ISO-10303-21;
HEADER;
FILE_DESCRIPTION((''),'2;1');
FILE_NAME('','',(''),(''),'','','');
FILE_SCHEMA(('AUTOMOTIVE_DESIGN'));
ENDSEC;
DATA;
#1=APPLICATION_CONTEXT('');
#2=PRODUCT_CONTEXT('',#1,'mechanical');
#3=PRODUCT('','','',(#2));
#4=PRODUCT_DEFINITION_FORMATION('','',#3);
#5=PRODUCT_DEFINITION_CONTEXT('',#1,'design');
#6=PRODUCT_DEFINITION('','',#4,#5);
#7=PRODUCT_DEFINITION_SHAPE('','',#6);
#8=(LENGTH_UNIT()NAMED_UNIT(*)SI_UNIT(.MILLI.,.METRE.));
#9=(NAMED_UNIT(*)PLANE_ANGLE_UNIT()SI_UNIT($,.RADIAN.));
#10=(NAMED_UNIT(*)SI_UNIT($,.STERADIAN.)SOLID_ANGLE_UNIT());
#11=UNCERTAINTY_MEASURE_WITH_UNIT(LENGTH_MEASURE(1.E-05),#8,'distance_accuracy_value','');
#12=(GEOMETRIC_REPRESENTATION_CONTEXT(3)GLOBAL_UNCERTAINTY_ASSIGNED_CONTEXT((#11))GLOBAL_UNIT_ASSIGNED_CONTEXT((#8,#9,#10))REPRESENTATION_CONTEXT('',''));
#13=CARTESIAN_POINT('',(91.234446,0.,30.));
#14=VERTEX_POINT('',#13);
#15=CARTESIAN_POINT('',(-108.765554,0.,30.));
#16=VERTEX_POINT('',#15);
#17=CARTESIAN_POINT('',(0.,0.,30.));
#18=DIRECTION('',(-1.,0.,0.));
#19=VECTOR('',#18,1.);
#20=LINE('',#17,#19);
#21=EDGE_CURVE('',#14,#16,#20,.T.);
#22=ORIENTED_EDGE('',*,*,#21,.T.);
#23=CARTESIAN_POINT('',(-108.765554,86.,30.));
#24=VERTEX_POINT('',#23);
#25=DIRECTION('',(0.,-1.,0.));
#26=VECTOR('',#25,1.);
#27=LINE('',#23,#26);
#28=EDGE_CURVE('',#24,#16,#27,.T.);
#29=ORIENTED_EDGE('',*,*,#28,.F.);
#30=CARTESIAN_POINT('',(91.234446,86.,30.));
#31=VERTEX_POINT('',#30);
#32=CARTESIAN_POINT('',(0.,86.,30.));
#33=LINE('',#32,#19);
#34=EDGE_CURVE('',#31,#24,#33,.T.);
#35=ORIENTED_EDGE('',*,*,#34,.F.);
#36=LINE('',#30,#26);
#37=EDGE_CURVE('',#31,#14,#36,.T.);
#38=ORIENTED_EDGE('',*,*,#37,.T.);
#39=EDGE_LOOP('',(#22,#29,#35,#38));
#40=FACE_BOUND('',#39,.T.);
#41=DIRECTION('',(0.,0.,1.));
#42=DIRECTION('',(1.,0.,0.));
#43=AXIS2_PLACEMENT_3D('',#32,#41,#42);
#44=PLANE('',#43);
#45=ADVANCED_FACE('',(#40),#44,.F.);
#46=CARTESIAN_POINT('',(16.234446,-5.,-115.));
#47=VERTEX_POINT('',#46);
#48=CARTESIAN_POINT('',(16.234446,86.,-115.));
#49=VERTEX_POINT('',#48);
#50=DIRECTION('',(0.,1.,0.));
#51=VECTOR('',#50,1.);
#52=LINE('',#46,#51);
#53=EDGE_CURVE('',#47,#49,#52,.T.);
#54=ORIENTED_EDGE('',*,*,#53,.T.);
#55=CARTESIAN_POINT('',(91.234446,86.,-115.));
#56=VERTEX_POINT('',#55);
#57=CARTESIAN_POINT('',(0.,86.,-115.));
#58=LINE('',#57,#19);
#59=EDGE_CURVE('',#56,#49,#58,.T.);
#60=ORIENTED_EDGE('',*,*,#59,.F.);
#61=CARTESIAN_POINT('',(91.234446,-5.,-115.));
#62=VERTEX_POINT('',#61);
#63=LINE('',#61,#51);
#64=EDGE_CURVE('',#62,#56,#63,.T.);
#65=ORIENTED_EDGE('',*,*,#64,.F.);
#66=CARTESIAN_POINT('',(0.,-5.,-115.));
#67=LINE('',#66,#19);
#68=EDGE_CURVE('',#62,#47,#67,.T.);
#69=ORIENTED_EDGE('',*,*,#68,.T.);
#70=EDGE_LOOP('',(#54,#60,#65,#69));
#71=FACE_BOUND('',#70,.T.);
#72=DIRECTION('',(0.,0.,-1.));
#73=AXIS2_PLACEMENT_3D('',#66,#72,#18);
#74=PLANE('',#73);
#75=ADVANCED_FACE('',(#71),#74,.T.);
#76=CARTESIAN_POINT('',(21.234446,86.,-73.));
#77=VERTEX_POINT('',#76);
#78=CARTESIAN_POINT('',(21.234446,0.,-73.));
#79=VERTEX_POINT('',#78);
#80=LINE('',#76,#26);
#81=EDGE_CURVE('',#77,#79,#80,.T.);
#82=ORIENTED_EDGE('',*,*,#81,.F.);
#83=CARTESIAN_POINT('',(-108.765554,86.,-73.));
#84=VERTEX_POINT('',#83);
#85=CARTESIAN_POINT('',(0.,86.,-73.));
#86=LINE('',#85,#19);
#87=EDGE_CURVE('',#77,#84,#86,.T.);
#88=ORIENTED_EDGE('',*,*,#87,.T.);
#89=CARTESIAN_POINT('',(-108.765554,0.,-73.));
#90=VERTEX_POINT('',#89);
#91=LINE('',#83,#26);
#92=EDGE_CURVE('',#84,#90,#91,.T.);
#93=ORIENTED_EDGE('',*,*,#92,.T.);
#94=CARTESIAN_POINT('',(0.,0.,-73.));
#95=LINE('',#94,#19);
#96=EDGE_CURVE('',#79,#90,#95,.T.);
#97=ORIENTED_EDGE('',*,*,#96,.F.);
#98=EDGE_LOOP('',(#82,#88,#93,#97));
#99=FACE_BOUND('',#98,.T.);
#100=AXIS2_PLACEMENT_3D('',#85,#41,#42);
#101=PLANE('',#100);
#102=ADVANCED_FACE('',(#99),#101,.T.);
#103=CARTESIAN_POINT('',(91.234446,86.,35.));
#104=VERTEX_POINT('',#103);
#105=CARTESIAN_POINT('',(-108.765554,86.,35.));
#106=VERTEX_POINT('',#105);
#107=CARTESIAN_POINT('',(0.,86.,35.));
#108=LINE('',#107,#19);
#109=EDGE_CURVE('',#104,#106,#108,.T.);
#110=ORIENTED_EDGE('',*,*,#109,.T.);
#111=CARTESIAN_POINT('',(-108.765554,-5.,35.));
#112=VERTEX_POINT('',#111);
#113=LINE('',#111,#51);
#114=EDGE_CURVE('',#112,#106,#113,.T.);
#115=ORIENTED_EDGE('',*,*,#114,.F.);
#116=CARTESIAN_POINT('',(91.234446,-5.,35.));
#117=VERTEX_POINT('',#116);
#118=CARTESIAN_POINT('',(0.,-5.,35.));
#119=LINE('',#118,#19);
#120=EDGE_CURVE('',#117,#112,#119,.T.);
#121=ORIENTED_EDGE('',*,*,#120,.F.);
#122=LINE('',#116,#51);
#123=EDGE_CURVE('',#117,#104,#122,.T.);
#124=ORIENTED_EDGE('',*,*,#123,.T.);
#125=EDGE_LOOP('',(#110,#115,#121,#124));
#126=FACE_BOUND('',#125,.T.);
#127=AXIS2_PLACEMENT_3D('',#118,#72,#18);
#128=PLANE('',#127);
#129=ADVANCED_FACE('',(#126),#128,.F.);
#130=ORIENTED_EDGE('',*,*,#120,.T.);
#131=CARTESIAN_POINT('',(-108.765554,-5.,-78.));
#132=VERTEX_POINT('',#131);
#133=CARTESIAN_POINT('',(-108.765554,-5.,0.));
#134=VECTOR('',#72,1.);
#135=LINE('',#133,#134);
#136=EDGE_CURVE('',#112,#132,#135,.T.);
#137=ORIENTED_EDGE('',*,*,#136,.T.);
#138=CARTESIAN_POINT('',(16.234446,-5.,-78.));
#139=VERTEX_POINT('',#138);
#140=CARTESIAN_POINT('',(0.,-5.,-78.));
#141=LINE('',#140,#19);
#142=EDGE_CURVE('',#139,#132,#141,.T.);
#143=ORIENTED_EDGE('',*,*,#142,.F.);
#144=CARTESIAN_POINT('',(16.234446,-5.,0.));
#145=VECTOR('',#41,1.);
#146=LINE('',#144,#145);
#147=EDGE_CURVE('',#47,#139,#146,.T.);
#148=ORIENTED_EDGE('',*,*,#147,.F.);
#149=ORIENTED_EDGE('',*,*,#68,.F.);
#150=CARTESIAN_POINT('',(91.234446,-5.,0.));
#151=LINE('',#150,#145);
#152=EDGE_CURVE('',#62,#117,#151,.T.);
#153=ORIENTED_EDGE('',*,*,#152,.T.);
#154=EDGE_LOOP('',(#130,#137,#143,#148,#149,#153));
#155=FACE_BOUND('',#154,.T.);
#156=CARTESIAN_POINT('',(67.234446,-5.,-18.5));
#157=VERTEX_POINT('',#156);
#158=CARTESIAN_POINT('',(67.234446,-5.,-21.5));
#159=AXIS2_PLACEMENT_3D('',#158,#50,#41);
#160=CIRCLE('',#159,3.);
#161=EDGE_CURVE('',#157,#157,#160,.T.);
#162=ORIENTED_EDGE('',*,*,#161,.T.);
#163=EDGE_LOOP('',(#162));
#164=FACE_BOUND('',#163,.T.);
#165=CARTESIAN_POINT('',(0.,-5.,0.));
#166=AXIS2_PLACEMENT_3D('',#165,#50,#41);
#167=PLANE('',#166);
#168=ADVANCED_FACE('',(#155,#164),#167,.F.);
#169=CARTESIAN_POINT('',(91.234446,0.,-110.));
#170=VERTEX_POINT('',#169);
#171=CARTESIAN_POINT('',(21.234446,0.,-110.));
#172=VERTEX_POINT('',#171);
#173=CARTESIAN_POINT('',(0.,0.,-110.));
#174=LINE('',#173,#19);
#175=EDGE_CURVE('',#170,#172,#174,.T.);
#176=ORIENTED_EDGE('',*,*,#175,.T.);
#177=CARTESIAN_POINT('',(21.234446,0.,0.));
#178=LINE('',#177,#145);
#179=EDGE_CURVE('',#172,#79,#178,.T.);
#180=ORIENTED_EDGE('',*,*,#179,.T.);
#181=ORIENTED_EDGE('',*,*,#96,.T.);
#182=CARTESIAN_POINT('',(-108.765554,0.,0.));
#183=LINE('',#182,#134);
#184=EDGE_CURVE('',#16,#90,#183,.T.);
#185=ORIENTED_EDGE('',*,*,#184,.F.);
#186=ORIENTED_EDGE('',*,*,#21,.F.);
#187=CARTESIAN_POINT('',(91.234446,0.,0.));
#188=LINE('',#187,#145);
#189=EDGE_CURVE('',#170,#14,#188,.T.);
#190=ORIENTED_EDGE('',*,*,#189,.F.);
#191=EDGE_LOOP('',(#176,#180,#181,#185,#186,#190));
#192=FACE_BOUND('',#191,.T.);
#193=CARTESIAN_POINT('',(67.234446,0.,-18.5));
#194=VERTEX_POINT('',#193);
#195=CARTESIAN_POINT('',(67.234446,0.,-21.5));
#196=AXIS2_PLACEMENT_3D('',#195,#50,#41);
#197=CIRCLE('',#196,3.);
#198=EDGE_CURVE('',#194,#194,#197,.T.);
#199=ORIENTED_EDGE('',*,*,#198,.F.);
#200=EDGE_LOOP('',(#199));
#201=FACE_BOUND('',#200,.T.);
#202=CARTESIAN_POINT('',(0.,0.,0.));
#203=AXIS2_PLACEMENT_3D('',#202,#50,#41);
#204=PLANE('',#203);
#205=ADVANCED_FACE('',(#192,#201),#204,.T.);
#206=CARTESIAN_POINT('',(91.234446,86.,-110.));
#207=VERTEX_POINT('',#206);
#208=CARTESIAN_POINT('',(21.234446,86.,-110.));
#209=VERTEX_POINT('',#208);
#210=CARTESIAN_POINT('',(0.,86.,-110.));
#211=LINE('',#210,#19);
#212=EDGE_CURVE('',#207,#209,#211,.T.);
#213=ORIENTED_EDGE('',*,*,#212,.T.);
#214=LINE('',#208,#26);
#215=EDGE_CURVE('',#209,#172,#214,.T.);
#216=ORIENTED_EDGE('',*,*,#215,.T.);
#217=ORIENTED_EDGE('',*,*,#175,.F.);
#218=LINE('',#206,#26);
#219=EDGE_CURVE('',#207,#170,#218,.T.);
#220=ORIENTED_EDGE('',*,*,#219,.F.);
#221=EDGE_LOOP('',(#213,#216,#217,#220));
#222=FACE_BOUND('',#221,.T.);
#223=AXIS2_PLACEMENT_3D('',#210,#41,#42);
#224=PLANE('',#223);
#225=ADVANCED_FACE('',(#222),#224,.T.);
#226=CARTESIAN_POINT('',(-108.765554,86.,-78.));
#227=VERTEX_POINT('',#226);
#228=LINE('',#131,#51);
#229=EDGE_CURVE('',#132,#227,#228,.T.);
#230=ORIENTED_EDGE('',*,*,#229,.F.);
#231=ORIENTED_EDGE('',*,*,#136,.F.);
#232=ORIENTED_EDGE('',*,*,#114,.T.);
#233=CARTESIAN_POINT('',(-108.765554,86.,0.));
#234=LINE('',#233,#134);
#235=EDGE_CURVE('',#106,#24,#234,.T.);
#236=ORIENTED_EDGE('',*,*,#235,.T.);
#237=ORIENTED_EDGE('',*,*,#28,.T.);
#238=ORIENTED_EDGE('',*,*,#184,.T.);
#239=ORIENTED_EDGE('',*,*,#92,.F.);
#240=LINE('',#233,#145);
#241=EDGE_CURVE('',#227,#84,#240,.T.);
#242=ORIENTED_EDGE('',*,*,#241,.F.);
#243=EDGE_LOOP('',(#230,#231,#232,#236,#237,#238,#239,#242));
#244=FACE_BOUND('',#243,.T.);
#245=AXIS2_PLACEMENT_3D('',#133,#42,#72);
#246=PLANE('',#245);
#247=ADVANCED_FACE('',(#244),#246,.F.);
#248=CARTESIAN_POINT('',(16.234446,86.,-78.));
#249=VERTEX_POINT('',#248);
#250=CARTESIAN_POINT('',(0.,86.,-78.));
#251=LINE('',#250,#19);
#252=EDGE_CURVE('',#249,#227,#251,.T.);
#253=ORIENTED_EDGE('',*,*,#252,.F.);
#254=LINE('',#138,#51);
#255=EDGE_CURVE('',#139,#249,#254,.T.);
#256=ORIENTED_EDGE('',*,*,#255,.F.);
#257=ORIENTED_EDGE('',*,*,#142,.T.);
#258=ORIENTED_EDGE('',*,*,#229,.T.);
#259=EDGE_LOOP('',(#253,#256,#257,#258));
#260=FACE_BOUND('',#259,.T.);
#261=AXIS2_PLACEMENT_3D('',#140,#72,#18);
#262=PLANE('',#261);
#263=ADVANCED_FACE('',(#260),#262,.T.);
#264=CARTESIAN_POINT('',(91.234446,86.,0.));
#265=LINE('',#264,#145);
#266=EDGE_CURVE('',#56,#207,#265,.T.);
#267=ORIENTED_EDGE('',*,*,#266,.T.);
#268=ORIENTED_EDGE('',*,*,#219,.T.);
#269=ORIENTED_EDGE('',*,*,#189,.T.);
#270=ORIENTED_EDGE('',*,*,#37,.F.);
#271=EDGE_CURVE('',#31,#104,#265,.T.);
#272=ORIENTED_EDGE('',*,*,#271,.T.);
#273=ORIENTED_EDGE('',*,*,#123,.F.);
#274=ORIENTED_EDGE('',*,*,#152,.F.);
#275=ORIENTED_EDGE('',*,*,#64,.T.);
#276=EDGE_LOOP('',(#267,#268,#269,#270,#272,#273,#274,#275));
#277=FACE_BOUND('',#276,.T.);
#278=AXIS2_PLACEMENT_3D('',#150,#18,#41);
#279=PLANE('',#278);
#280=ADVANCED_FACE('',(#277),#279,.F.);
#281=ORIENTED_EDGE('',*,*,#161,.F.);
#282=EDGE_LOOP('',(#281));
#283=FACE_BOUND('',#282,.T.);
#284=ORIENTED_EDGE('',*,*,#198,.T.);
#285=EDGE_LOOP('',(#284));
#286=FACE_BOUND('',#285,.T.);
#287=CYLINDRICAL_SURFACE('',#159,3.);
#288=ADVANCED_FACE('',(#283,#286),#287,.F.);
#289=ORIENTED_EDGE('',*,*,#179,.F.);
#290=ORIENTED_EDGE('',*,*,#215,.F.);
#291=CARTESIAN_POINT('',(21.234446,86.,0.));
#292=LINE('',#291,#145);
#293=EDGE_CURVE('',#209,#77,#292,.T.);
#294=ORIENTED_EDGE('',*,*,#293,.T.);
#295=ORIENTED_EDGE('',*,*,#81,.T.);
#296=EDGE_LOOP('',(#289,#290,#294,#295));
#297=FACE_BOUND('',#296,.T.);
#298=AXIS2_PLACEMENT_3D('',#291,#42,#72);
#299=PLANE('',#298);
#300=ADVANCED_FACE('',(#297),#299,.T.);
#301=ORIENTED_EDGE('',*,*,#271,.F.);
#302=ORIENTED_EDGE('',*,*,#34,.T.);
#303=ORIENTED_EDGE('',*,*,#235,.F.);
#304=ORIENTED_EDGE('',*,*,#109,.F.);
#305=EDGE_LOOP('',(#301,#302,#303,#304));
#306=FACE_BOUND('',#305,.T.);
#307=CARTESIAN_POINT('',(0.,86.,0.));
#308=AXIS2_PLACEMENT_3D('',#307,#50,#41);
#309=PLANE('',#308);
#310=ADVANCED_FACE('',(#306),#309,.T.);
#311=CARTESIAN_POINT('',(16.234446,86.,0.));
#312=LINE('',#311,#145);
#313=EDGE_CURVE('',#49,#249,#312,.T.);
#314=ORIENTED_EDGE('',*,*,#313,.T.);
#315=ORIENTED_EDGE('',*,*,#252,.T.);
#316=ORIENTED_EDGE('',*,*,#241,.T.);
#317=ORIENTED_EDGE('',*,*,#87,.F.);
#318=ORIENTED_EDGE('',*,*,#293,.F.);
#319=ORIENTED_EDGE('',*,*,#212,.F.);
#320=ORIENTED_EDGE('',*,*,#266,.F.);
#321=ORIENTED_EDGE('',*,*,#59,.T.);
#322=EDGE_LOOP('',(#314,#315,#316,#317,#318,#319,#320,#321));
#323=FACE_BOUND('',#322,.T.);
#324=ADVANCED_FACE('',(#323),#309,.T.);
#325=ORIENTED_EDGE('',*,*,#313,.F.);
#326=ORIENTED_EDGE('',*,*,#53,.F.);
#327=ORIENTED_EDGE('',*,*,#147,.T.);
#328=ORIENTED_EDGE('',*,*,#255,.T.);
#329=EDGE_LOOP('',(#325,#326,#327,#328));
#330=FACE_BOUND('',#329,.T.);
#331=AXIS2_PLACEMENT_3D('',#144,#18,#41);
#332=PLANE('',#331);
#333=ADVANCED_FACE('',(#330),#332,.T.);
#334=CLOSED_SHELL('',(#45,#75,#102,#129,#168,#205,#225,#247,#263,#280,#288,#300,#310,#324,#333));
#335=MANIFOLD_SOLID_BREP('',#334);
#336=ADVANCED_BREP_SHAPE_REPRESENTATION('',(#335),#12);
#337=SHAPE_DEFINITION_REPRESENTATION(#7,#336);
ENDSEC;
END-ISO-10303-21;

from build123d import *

# Parameters (mm, degrees)
SZKIC1_R                    = 3
DODANIE_WYCI_GNI_CIE1_DEPTH = 5
SZKIC1_4_W                  = 200
SZKIC1_4_H                  = 5
DODANIE_WYCI_GNI_CIE2_DEPTH = 86


with BuildPart() as part:
    # Szkic1 → Dodanie-wyciągnięcie1 (new body)
    with BuildSketch(Plane(origin=(0, 0, 0), x_dir=(1, 0, 0), z_dir=(0, 1, 0))):
        Polygon((91.234446081, 115), (16.234446081, 115), (16.234446081, 78), (-108.765553919, 78), (-108.765553919, -35), (91.234446081, -35), align=None)
        with Locations((67.234446081, 21.5)):
            Circle(SZKIC1_R, mode=Mode.SUBTRACT)
    extrude(amount=-DODANIE_WYCI_GNI_CIE1_DEPTH)

    # Szkic1<4> → Dodanie-wyciągnięcie2 (add)
    with BuildSketch(Plane(origin=(0, 0, 0), x_dir=(1, 0, 0), z_dir=(0, 1, 0))):
        with Locations((-8.765553919, -32.5)):
            Rectangle(SZKIC1_4_W, SZKIC1_4_H)
        Polygon((91.234446081, 110), (91.234446081, 115), (16.234446081, 115), (16.234446081, 78), (-108.765553919, 78), (-108.765553919, 73), (21.234446081, 73), (21.234446081, 110), align=None)
    extrude(amount=DODANIE_WYCI_GNI_CIE2_DEPTH)


solid = part.part
